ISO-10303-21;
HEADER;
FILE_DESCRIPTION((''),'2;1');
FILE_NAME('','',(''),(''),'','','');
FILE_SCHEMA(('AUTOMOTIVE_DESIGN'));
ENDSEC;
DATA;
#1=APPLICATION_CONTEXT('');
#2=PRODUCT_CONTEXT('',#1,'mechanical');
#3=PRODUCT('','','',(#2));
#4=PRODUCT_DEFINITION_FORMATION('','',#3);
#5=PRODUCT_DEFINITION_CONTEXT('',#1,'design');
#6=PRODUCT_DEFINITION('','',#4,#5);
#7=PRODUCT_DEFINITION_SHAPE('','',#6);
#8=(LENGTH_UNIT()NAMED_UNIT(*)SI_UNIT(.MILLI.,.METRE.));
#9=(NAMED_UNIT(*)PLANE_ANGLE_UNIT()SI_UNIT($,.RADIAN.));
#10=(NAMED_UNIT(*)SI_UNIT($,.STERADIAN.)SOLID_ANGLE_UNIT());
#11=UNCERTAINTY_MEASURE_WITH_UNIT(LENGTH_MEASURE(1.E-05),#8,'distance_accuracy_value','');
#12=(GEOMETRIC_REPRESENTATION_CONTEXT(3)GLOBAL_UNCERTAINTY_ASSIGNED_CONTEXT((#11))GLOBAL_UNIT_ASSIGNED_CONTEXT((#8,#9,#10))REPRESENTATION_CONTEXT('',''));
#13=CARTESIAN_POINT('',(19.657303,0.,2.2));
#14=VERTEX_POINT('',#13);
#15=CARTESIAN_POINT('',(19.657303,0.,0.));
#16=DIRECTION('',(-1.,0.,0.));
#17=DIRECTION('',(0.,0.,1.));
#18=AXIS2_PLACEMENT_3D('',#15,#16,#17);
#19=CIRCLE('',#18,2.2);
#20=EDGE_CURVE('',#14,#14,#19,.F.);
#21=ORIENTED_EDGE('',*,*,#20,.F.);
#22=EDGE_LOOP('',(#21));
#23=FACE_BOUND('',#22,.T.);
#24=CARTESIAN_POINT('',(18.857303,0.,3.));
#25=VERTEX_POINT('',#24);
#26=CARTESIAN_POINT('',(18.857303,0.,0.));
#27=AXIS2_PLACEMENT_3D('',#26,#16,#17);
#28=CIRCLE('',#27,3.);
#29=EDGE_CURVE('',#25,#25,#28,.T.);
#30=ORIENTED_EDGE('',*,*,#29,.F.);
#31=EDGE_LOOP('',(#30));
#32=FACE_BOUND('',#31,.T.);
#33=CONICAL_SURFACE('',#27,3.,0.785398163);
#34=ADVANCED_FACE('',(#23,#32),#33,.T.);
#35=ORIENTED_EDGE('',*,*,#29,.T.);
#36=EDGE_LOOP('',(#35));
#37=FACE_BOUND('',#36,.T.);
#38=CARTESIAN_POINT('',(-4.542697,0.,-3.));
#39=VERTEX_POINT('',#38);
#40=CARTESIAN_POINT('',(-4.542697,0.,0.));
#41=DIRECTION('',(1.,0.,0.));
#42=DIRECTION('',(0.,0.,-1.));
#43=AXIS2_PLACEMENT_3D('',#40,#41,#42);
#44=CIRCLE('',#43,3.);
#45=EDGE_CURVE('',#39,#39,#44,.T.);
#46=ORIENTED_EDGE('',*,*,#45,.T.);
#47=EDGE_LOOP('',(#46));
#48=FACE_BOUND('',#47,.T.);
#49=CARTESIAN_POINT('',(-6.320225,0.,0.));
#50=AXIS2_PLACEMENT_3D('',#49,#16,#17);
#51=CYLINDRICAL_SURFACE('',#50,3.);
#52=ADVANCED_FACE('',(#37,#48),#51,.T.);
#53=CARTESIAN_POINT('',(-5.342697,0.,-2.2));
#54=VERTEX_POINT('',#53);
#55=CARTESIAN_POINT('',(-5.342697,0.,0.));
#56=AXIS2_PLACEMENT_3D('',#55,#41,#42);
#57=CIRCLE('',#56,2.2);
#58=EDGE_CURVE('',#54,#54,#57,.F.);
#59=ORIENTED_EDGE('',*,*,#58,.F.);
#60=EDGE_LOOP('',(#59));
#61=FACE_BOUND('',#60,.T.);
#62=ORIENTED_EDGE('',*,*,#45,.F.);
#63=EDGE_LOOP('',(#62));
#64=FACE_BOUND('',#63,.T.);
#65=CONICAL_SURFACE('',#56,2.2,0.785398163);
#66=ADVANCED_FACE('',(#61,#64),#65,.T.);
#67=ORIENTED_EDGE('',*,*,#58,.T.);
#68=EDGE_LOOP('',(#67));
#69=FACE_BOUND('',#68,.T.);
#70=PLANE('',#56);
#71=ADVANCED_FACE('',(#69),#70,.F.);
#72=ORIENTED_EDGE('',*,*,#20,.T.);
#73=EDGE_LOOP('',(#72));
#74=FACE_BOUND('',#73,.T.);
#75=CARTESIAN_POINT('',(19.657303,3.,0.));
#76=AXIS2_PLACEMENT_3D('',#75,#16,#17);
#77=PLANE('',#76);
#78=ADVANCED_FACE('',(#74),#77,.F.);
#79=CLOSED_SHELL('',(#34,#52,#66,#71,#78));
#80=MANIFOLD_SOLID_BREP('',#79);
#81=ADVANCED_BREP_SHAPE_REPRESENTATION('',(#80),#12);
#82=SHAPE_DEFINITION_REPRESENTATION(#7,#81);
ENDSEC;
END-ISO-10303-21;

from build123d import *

# Parameters (mm, degrees)
SKETCH_1_W     = 25
SKETCH_1_H     = 3
CHAMFER_1_SIZE = 0.8


with BuildPart() as part:
    # 草图1 → 旋转1 (revolve)
    with BuildSketch(Plane.XY, mode=Mode.PRIVATE) as revolve_1_sk:
        with Locations((7.157303371, 1.5)):
            Rectangle(SKETCH_1_W, SKETCH_1_H)
    revolve(revolve_1_sk.sketch.rotate(Axis((-6.320224719, 0, 0), (1, 0, 0)), 90), axis=Axis((-6.320224719, 0, 0), (1, 0, 0)))

    # 倒角1
    chamfer_1_edges = [part.edges().sort_by_distance(p)[0] for p in [
        (19.657303371, 0, -3),
        (-5.342696629, 0, -3),
    ]]
    chamfer(chamfer_1_edges, length=CHAMFER_1_SIZE)


solid = part.part
